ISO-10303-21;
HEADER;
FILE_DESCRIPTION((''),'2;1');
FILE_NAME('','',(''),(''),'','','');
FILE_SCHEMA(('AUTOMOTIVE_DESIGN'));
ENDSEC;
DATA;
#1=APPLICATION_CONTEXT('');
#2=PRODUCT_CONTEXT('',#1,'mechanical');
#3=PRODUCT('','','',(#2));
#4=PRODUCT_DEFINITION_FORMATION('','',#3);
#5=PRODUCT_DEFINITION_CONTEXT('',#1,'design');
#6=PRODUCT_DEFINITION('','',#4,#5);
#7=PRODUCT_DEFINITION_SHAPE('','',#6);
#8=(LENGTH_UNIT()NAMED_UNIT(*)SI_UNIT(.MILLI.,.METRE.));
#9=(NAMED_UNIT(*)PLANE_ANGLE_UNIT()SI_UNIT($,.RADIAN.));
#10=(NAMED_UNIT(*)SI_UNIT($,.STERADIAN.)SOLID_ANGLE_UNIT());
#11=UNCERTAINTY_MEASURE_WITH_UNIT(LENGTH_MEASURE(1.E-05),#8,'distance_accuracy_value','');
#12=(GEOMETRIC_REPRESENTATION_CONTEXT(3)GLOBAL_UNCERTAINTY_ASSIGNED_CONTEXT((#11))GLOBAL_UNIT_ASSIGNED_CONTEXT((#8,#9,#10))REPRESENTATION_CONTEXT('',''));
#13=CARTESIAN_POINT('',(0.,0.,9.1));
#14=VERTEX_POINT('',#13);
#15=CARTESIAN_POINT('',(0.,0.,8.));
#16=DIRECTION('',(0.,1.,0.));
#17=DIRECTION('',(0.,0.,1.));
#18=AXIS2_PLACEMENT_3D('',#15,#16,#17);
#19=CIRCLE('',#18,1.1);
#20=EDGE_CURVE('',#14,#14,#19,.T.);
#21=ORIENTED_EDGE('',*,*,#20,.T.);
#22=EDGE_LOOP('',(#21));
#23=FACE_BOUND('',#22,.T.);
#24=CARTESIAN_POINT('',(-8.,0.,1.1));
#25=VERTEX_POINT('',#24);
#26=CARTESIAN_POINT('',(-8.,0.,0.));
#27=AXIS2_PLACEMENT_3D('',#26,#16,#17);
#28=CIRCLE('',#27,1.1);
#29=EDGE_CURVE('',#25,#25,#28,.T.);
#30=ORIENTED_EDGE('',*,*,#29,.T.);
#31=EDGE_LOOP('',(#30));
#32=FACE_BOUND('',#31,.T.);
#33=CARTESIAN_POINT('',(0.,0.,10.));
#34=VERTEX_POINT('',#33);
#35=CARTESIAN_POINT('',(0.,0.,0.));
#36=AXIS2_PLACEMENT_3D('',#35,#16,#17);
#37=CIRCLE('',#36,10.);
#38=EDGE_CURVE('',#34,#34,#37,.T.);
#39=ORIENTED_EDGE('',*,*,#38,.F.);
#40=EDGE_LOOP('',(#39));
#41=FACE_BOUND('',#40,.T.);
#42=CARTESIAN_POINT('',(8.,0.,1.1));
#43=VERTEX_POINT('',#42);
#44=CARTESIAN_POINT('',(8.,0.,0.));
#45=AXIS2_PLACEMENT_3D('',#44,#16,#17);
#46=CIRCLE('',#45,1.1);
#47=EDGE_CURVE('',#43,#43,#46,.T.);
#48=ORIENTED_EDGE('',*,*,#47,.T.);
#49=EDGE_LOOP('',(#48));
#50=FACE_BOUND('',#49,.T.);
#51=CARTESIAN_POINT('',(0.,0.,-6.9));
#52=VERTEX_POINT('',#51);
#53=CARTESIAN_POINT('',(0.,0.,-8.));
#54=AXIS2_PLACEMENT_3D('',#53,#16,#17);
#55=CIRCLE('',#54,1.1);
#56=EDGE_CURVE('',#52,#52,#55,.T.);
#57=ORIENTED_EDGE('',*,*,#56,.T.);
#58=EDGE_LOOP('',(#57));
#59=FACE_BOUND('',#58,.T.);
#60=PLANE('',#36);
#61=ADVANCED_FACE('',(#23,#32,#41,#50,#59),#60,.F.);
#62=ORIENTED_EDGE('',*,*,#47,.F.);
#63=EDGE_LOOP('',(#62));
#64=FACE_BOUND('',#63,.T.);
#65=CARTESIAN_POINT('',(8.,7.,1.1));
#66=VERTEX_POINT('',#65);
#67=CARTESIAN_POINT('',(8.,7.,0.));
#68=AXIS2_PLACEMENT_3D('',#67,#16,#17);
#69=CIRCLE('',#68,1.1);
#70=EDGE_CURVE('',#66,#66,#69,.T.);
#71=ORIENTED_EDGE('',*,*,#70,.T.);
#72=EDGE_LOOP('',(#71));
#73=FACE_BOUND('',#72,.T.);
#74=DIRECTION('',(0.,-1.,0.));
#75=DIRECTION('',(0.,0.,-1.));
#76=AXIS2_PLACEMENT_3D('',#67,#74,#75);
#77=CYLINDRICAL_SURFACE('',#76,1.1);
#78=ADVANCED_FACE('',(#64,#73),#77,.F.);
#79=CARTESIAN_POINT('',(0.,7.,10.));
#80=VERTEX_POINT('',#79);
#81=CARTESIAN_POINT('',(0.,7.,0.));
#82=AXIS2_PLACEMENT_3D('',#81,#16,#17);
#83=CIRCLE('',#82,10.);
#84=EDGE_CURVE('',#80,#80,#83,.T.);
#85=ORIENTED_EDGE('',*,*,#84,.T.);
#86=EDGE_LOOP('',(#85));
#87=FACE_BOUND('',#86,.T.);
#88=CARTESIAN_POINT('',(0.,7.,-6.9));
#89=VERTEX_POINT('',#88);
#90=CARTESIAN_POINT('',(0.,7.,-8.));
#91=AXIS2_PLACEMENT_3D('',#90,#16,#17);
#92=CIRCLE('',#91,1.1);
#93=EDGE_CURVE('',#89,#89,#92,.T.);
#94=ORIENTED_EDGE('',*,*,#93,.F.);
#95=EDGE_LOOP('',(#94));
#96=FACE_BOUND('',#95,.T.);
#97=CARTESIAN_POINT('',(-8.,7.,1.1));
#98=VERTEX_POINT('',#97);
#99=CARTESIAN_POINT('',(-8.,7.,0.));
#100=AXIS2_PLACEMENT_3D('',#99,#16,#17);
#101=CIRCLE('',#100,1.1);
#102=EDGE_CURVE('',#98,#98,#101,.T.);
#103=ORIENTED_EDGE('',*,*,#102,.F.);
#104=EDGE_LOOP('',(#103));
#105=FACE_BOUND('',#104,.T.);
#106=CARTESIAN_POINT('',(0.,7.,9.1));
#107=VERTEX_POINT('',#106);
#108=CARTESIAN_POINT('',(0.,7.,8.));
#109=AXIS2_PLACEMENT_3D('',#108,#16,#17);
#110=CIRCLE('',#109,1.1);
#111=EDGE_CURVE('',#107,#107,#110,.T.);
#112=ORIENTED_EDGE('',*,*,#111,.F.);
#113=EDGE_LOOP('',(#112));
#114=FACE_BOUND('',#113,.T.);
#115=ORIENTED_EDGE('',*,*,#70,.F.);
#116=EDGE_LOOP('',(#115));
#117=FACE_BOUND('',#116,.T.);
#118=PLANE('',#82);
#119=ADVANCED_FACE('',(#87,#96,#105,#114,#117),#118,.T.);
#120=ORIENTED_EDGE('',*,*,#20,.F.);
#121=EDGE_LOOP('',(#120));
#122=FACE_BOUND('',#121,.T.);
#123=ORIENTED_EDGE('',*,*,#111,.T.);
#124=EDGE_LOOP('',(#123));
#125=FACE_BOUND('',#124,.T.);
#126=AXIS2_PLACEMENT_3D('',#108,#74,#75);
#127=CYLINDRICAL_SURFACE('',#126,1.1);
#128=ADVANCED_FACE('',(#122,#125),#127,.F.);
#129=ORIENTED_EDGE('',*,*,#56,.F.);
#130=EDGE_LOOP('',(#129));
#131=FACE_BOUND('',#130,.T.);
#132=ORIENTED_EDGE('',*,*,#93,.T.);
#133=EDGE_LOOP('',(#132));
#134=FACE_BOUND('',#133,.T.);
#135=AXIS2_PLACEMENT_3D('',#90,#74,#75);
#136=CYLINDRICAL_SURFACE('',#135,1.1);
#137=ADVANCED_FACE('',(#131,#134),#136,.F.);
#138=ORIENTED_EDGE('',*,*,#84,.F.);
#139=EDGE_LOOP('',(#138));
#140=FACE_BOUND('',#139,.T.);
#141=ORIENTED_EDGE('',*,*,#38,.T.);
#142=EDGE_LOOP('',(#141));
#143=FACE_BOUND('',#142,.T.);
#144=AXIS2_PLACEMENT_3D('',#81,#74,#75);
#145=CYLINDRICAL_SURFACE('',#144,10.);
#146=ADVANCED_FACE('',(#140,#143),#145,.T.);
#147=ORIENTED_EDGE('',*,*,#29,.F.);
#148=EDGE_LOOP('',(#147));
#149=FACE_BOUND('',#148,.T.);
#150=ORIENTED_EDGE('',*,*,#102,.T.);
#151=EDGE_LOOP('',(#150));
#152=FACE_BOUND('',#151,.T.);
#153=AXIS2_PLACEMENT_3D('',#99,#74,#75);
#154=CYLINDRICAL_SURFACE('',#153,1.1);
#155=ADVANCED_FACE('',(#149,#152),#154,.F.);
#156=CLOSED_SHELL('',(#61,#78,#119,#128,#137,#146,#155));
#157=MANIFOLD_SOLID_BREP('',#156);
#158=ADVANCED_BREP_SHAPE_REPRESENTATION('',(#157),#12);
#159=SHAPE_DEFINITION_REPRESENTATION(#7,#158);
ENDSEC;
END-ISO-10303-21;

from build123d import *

# Parameters (mm, degrees)
SKETCH1_R           = 10
SKETCH1_R_2         = 1.1
BOSS_EXTRUDE1_DEPTH = 7


with BuildPart() as part:
    # Sketch1 → Boss-Extrude1 (new body)
    with BuildSketch(Plane(origin=(0, 0, 0), x_dir=(1, 0, 0), z_dir=(0, 1, 0))):
        Circle(SKETCH1_R)
        with Locations((0, 8)):
            Circle(SKETCH1_R_2, mode=Mode.SUBTRACT)
        with Locations((8, 0)):
            Circle(SKETCH1_R_2, mode=Mode.SUBTRACT)
        with Locations((0, -8)):
            Circle(SKETCH1_R_2, mode=Mode.SUBTRACT)
        with Locations((-8, 0)):
            Circle(SKETCH1_R_2, mode=Mode.SUBTRACT)
    extrude(amount=BOSS_EXTRUDE1_DEPTH)


solid = part.part
